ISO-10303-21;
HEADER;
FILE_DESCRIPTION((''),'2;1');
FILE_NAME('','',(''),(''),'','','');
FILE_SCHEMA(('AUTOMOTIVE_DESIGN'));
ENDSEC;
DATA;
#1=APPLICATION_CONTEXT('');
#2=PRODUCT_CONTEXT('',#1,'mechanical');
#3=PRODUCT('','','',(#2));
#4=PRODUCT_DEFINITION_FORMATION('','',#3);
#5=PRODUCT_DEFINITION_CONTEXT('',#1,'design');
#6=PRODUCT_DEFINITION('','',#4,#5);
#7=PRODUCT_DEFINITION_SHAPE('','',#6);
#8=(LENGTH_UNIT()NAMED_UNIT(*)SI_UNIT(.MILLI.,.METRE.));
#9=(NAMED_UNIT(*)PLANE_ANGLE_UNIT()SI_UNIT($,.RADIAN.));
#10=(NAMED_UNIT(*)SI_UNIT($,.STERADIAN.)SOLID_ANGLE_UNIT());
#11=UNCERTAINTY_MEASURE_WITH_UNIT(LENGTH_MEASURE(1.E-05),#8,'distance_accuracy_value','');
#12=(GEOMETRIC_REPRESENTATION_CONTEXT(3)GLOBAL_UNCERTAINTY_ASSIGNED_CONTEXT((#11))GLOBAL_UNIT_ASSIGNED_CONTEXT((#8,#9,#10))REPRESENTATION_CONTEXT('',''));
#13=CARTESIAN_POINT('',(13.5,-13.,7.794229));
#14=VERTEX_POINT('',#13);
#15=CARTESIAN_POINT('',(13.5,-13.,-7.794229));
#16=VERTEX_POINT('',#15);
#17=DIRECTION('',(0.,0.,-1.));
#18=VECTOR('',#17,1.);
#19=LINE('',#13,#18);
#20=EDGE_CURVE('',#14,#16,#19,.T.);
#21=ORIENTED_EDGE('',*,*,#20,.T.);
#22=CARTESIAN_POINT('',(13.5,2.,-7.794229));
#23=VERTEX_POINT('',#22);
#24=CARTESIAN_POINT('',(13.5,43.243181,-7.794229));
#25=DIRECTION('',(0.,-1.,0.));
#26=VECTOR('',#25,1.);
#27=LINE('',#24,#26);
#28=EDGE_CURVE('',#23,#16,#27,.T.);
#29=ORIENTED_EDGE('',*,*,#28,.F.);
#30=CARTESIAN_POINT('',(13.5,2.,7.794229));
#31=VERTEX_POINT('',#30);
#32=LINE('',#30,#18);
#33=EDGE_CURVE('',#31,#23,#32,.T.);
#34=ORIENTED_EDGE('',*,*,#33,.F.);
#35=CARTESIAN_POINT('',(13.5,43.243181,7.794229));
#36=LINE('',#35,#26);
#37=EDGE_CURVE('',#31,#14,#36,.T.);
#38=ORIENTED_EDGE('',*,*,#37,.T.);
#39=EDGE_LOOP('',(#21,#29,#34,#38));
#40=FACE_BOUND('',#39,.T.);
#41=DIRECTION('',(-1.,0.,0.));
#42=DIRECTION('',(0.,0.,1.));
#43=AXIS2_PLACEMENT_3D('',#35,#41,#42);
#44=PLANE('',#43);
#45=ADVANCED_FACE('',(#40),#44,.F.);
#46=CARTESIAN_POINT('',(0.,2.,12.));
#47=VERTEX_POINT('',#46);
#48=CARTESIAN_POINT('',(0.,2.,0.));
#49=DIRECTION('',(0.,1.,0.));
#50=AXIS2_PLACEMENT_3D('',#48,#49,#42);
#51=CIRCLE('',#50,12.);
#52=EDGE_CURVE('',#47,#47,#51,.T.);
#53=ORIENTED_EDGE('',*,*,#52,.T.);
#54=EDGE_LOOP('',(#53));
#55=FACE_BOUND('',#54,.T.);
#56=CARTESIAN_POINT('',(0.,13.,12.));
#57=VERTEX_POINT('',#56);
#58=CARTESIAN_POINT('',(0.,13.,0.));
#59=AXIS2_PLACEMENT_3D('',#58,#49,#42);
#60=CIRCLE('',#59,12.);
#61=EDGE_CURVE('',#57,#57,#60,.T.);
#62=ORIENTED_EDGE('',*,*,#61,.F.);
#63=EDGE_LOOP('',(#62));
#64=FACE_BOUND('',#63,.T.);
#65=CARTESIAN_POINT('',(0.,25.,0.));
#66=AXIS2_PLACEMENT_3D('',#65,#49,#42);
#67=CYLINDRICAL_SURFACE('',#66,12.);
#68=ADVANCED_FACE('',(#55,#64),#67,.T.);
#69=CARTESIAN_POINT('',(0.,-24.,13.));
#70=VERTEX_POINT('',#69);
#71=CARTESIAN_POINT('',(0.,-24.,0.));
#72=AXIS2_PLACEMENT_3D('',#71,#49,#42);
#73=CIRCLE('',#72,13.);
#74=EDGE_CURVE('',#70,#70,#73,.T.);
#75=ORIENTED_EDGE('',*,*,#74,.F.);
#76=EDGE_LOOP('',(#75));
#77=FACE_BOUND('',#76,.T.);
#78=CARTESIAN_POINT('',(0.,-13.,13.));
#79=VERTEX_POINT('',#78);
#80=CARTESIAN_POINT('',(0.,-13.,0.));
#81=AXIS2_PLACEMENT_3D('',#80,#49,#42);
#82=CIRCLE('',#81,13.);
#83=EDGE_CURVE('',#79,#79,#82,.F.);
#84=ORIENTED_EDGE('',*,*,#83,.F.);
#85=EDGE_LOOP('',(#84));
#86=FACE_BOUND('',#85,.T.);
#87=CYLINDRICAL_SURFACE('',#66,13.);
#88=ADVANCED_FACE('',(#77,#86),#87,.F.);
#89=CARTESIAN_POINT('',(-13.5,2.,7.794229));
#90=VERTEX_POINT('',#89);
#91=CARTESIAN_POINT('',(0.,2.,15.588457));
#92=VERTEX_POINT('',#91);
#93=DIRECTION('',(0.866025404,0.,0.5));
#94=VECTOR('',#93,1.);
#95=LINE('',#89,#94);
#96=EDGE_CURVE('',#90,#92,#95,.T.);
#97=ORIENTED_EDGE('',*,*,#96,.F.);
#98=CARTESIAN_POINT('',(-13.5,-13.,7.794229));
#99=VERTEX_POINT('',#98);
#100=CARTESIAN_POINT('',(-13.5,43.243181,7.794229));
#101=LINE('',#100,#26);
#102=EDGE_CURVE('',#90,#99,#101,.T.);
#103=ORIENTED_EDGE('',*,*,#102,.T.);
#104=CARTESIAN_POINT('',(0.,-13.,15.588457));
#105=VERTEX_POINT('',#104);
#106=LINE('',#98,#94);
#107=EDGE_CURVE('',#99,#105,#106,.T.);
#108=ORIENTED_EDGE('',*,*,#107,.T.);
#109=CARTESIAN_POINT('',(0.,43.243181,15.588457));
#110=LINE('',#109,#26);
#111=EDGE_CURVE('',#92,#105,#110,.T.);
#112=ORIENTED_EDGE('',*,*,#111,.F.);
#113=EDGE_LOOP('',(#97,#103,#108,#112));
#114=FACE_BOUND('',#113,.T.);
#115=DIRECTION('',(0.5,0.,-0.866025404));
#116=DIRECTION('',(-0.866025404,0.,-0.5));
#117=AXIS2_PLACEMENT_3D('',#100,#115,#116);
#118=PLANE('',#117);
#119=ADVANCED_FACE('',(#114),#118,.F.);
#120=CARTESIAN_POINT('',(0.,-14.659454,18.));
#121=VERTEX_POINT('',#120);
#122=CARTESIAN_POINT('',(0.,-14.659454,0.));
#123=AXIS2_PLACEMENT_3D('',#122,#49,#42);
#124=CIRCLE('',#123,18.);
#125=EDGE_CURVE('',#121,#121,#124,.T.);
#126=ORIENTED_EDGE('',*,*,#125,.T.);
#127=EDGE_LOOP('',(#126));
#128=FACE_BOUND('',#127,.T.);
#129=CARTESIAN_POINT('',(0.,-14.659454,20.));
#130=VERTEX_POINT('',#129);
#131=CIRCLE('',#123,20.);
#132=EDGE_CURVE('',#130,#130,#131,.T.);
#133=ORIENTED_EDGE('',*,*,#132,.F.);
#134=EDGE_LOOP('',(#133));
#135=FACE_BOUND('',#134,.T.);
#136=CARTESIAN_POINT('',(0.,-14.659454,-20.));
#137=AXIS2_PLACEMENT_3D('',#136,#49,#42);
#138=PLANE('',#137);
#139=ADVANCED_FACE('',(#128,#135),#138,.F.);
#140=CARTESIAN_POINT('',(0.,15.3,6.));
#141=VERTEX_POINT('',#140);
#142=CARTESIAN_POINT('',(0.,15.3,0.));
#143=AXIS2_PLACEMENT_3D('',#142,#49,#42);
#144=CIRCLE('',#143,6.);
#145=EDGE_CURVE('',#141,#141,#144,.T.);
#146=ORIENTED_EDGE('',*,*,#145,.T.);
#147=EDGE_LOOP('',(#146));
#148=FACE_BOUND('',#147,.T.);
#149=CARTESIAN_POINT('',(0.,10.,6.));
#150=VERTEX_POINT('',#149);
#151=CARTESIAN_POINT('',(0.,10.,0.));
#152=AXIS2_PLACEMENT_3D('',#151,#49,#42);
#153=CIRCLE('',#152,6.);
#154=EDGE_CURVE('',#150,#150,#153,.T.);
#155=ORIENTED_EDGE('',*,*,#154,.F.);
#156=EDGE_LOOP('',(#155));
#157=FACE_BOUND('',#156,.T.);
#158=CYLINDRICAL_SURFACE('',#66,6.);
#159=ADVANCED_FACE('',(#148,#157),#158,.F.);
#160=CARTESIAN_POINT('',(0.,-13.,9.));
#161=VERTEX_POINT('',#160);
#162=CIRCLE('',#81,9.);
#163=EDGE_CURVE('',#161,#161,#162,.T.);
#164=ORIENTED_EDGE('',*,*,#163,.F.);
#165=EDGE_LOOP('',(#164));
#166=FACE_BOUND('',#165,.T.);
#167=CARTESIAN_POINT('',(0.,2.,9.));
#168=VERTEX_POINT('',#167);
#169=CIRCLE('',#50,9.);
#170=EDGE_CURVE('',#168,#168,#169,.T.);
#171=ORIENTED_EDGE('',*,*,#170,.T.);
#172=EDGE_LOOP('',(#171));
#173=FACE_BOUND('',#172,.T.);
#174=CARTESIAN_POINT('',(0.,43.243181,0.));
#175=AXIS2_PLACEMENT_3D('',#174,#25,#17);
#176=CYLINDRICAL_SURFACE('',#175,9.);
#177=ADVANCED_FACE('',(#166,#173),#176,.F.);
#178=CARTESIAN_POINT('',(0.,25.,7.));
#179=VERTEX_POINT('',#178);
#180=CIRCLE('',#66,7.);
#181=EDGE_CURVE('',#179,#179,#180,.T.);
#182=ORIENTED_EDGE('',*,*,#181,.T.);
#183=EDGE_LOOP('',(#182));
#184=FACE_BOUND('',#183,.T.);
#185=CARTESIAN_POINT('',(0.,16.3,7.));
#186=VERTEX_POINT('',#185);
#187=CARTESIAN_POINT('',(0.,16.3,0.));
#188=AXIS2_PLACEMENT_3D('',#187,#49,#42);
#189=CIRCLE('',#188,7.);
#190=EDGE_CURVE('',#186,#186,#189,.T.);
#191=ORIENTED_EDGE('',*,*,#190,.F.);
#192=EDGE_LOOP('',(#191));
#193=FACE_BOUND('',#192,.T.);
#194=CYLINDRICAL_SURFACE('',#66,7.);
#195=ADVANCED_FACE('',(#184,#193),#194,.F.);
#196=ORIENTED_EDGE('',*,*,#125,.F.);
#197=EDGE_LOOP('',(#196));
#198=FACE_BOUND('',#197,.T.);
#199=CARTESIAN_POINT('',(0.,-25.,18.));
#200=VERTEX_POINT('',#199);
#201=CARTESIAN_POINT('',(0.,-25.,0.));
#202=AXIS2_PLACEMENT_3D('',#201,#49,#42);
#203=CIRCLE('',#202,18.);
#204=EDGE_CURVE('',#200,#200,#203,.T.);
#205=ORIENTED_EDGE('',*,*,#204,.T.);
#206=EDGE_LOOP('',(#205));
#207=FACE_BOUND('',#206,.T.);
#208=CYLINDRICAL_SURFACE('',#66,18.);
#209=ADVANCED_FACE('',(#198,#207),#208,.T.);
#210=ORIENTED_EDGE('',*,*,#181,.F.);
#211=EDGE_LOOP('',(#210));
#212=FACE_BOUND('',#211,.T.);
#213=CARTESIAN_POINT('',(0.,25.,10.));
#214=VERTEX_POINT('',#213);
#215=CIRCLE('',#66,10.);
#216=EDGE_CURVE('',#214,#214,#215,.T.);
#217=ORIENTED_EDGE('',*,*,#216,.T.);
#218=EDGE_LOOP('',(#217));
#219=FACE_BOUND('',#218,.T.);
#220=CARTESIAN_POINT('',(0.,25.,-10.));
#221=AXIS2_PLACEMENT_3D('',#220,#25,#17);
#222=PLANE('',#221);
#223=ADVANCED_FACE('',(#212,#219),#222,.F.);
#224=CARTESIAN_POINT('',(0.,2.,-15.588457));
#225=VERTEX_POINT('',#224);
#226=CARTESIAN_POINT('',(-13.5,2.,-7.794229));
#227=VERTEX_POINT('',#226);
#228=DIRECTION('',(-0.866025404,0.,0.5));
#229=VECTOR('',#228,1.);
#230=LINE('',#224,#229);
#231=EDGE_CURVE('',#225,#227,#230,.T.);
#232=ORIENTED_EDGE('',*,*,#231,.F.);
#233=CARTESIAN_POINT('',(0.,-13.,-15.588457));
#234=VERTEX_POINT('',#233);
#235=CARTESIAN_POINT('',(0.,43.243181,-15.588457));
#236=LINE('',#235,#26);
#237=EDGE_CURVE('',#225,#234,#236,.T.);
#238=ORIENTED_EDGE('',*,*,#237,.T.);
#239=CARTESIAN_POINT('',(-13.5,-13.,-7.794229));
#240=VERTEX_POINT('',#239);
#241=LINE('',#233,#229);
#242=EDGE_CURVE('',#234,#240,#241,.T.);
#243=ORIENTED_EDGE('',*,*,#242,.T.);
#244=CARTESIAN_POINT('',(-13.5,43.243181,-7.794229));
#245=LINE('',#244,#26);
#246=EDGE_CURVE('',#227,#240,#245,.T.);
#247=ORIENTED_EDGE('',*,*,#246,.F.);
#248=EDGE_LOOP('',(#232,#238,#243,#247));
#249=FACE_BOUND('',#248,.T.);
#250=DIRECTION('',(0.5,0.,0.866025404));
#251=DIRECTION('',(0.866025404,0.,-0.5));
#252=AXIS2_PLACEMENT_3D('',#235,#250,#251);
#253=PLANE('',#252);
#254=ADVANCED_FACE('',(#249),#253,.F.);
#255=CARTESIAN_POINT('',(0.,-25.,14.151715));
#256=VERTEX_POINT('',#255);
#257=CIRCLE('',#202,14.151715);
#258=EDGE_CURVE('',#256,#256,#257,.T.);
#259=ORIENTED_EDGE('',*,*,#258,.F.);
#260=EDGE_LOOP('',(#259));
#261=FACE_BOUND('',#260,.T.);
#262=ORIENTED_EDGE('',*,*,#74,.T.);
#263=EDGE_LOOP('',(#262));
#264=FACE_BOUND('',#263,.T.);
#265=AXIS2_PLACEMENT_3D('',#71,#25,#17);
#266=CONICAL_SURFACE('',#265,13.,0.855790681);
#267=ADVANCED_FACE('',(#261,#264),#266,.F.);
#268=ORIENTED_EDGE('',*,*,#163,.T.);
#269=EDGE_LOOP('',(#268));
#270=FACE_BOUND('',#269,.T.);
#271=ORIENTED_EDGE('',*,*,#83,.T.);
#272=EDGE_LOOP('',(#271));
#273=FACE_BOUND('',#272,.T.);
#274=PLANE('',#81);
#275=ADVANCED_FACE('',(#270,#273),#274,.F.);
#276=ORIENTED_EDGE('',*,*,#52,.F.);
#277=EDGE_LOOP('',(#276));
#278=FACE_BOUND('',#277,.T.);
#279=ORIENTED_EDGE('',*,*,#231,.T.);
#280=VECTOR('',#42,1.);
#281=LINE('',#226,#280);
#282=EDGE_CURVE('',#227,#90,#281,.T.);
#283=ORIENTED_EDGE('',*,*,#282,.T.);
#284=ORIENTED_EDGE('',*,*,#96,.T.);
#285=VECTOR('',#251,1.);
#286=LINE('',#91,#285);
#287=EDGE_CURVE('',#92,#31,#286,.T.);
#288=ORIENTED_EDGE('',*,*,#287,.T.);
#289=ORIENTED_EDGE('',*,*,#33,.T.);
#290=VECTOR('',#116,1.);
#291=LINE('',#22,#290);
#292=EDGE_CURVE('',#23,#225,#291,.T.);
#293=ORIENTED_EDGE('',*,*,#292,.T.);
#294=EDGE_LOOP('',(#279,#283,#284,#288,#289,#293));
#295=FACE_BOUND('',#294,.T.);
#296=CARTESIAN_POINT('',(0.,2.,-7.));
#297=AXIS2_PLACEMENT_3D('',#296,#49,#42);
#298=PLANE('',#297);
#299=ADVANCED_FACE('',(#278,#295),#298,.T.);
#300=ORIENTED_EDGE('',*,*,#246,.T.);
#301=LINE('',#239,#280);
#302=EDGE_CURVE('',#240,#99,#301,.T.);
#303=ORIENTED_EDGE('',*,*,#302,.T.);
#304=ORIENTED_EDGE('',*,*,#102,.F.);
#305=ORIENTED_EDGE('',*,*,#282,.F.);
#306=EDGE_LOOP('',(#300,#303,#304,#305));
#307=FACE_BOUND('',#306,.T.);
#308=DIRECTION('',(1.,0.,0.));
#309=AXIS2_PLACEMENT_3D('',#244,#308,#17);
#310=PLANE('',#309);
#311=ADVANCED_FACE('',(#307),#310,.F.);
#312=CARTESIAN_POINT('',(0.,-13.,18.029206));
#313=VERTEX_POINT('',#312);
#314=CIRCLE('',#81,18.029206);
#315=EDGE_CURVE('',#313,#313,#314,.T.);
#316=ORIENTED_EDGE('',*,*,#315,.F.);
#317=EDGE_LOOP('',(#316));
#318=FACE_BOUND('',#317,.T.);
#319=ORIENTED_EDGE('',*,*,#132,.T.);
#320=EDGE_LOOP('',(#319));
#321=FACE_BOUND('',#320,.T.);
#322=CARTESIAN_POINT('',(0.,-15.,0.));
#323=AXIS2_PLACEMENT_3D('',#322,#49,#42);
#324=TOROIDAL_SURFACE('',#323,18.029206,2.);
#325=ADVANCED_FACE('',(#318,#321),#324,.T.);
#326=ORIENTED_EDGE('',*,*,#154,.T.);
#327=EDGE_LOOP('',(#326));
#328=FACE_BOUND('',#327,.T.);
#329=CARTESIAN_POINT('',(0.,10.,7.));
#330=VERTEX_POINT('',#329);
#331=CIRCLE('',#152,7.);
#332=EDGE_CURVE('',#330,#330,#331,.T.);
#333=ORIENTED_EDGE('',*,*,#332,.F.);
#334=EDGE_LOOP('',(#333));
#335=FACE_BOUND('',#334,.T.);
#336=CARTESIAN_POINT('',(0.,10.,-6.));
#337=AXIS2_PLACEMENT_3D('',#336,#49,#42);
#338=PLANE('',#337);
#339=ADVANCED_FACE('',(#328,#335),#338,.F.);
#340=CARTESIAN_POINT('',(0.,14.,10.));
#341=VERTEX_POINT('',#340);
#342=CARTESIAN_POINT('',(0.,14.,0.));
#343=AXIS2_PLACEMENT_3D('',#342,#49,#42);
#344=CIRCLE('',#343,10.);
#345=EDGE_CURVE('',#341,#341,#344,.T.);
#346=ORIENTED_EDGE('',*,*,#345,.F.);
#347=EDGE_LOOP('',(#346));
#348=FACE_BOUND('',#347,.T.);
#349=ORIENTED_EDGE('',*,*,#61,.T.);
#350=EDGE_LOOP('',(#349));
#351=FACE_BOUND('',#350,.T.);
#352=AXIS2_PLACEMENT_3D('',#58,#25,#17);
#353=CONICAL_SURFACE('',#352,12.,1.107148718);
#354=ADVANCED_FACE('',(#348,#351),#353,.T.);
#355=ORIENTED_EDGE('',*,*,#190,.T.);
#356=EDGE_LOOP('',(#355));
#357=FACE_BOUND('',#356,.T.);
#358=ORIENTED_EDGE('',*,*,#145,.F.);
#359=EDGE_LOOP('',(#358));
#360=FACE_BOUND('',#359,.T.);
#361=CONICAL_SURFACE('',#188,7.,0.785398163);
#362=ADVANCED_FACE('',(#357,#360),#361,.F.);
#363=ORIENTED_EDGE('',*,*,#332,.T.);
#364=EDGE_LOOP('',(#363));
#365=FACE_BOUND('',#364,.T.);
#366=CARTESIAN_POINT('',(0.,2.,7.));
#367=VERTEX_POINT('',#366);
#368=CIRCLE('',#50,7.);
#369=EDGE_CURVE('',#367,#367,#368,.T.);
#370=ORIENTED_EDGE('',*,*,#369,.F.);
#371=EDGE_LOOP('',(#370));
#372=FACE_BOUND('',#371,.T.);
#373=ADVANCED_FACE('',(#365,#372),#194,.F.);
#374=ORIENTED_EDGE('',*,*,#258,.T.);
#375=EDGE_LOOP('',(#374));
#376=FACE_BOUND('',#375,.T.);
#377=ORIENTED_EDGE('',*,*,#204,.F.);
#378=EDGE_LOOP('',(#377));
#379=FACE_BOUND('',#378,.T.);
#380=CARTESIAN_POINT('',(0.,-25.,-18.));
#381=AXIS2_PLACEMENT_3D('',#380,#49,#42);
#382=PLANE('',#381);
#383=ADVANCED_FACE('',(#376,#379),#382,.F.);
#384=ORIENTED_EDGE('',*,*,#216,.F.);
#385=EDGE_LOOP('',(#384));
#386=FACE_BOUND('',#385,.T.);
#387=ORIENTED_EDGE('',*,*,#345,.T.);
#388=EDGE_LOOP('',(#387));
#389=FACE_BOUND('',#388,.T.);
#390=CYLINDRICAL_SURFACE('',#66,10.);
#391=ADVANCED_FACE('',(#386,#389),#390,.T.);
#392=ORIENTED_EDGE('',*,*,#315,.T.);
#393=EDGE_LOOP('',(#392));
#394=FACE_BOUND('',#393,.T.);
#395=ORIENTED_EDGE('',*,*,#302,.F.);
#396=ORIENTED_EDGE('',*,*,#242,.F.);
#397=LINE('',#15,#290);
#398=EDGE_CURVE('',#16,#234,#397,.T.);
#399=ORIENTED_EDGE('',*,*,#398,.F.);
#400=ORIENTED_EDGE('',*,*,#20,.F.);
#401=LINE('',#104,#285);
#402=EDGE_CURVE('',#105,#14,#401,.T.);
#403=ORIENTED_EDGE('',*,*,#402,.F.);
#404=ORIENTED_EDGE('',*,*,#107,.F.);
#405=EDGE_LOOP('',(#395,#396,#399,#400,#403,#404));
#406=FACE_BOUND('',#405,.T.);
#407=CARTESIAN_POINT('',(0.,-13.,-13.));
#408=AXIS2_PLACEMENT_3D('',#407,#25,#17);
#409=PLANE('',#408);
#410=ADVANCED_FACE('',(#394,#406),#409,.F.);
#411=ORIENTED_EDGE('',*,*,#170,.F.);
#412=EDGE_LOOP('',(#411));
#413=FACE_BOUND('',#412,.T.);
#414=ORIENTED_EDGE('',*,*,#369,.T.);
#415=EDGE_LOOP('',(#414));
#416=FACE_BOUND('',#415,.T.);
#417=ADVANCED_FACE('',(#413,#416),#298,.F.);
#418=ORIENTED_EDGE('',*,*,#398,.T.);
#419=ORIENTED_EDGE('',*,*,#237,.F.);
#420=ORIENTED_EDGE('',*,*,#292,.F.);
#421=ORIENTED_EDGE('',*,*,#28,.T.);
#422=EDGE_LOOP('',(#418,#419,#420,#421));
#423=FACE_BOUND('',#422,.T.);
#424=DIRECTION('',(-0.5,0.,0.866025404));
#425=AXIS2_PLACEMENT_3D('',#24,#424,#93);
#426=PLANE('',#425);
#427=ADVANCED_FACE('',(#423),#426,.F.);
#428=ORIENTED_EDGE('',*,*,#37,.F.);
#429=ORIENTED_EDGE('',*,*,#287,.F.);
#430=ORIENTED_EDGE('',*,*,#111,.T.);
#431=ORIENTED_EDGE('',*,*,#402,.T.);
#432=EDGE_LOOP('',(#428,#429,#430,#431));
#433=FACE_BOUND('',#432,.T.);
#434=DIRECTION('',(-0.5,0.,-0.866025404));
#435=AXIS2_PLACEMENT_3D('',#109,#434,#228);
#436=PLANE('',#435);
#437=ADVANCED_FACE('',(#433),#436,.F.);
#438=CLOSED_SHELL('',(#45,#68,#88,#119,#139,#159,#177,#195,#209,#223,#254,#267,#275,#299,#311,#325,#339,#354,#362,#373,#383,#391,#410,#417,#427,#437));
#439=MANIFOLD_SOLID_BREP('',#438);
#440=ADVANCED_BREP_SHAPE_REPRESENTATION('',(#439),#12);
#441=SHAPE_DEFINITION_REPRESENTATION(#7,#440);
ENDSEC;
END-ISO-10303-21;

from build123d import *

# Parameters (mm, degrees)
SKETCH2_R           = 9
BOSS_EXTRUDE2_DEPTH = 15


with BuildPart() as part:
    # Sketch1 → Revolve1 (revolve)
    with BuildSketch(Plane(origin=(0, 0, 0), x_dir=(0, 0, -1), z_dir=(1, 0, 0))):
        with BuildLine():
            Line((13, -24), (13, -13))
            Line((13, -13), (18.02920611, -13))
            ThreePointArc((18.02920611, -13), (19.317404153, -13.470115755), (20, -14.659454198))
            Line((20, -14.659454198), (18, -14.659454198))
            Line((18, -14.659454198), (18, -25))
            Line((18, -25), (14.151715331, -25))
            Line((14.151715331, -25), (13, -24))
        make_face()
        Polygon((10, 25), (7, 25), (7, 16.3), (6, 15.3), (6, 10), (7, 10), (7, 2), (12, 2), (12, 13), (10, 14), align=None)
    revolve(axis=Axis((0, 25, 0), (0, -1, 0)))

    # Sketch2 → Boss-Extrude2 (add)
    with BuildSketch(Plane(origin=(0, -13, 0), x_dir=(1, 0, 0), z_dir=(0, 1, 0))):
        Polygon((0, 15.588457268), (-13.5, 7.794228634), (-13.5, -7.794228634), (0, -15.588457268), (13.5, -7.794228634), (13.5, 7.794228634), align=None)
        Circle(SKETCH2_R, mode=Mode.SUBTRACT)
    extrude(amount=BOSS_EXTRUDE2_DEPTH)


solid = part.part
